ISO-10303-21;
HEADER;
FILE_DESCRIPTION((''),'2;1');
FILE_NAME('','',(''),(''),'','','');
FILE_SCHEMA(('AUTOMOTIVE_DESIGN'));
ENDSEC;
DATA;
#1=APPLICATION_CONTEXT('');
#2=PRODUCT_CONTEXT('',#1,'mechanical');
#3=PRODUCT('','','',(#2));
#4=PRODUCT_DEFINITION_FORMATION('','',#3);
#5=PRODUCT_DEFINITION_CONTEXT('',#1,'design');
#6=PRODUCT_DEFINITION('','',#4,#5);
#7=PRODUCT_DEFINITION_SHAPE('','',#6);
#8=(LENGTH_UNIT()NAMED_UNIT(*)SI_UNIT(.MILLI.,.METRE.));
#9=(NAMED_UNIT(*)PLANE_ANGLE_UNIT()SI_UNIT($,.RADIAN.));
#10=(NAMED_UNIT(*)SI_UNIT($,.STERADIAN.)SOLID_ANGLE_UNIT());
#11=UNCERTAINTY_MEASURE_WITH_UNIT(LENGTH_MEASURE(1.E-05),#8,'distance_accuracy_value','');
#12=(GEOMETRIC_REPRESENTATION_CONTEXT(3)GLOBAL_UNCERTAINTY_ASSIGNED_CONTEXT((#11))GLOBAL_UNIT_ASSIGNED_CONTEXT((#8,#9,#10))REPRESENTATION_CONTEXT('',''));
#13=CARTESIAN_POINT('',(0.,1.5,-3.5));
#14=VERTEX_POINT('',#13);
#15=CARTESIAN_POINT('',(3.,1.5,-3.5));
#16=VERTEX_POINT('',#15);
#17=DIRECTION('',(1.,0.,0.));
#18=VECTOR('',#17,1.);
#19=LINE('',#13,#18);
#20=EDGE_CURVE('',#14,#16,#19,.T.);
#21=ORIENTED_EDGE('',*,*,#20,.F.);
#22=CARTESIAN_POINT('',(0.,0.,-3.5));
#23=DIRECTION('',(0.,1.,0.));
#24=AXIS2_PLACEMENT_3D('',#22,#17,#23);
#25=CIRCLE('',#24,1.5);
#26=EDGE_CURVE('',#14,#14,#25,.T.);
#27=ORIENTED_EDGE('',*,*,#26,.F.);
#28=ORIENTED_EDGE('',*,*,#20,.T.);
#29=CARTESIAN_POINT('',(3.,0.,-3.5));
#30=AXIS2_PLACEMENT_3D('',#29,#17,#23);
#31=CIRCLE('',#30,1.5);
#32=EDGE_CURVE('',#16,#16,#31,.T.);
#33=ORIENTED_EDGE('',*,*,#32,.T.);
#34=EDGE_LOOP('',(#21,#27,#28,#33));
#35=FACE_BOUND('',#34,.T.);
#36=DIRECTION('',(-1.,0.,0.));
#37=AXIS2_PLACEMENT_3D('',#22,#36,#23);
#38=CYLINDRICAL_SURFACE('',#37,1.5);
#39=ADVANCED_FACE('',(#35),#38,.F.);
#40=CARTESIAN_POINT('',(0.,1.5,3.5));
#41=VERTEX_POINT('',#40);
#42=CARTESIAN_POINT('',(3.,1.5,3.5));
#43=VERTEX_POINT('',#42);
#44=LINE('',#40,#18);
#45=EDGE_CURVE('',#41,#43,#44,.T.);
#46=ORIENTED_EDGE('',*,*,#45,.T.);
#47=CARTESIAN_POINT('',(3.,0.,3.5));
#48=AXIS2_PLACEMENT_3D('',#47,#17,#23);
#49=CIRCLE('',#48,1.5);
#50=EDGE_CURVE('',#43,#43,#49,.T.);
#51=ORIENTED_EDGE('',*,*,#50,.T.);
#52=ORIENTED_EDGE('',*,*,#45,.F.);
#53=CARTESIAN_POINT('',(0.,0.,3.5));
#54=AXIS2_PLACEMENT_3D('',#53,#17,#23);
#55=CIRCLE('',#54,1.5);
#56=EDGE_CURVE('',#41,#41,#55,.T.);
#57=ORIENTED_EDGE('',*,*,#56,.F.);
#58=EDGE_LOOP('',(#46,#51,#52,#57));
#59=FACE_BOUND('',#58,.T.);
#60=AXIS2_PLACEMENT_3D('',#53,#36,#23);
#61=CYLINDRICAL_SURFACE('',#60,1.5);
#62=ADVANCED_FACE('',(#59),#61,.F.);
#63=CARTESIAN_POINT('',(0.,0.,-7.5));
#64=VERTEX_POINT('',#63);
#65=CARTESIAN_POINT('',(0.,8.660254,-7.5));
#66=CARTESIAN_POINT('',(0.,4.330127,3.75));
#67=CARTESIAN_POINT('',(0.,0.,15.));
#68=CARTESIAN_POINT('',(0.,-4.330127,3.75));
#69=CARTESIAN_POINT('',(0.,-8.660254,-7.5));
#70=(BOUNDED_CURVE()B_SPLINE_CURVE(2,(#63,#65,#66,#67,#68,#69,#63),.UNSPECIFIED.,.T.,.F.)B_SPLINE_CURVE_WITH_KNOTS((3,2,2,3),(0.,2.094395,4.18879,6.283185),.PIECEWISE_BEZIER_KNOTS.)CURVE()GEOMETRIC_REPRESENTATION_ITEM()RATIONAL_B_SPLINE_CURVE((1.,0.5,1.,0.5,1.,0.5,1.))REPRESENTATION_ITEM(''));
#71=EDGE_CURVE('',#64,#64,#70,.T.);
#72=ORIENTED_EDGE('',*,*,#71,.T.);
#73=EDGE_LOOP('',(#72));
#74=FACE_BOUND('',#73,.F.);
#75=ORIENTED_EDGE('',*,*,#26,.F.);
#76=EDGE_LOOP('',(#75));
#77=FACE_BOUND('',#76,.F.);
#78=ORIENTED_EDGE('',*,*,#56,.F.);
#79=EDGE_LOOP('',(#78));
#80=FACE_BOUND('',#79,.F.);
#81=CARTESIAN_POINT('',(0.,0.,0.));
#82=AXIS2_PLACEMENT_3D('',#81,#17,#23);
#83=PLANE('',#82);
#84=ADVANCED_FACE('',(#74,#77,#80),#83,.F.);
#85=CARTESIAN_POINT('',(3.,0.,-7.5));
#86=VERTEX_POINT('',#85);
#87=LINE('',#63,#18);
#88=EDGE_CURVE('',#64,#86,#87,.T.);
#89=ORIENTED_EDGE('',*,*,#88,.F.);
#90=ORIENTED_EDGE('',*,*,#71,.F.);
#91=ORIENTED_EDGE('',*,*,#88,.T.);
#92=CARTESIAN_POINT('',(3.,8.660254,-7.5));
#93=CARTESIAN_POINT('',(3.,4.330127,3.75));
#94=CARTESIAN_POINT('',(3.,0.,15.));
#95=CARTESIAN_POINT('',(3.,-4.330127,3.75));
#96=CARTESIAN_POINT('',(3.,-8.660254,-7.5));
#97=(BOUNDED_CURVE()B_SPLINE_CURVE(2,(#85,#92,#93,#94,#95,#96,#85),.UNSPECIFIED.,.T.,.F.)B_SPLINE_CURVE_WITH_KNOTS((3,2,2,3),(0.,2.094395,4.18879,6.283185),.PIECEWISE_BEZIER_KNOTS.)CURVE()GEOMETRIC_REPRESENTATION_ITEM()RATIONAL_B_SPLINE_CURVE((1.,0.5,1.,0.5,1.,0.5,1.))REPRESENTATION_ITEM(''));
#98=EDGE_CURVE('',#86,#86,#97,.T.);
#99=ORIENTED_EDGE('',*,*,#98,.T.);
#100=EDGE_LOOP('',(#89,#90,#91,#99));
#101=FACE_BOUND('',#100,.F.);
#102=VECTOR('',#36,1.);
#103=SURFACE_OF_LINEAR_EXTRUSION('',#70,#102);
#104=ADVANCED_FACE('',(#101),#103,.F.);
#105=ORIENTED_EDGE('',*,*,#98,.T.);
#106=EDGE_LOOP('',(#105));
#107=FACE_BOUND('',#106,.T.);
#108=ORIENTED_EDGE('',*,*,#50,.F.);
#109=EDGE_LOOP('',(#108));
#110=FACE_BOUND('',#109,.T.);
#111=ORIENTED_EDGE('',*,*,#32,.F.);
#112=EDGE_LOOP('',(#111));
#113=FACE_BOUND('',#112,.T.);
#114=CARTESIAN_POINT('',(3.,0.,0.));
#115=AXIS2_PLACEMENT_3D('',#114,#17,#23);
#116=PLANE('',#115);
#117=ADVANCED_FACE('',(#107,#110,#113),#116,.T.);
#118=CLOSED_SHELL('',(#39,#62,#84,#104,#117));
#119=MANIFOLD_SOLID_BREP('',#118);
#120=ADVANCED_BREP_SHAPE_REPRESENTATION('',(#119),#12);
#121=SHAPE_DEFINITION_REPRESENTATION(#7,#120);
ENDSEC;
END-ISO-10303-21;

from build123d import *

# Parameters (mm, degrees)
F0_R     = 1.5
F1_DEPTH = 3


with BuildPart() as f1:
    # F0 (on Right) → F1 (new body)
    with BuildSketch(Plane.YZ):
        with BuildLine():
            add(Edge.make_bspline(
                [(0, -7.5), (8.660254, -7.5), (4.330127, 3.75), (0, 15), (-4.330127, 3.75), (-8.660254, -7.5), (0, -7.5)],
                knots=[0, 0, 0, 2.094395, 2.094395, 4.18879, 4.18879, 6.283185, 6.283185, 6.283185], degree=2, weights=[1, 0.5, 1, 0.5, 1, 0.5, 1]))
        make_face()
        with Locations((0, -3.5)):
            Circle(F0_R, mode=Mode.SUBTRACT)
        with Locations((0, 3.5)):
            Circle(F0_R, mode=Mode.SUBTRACT)
    extrude(amount=F1_DEPTH)


solid = f1.part
